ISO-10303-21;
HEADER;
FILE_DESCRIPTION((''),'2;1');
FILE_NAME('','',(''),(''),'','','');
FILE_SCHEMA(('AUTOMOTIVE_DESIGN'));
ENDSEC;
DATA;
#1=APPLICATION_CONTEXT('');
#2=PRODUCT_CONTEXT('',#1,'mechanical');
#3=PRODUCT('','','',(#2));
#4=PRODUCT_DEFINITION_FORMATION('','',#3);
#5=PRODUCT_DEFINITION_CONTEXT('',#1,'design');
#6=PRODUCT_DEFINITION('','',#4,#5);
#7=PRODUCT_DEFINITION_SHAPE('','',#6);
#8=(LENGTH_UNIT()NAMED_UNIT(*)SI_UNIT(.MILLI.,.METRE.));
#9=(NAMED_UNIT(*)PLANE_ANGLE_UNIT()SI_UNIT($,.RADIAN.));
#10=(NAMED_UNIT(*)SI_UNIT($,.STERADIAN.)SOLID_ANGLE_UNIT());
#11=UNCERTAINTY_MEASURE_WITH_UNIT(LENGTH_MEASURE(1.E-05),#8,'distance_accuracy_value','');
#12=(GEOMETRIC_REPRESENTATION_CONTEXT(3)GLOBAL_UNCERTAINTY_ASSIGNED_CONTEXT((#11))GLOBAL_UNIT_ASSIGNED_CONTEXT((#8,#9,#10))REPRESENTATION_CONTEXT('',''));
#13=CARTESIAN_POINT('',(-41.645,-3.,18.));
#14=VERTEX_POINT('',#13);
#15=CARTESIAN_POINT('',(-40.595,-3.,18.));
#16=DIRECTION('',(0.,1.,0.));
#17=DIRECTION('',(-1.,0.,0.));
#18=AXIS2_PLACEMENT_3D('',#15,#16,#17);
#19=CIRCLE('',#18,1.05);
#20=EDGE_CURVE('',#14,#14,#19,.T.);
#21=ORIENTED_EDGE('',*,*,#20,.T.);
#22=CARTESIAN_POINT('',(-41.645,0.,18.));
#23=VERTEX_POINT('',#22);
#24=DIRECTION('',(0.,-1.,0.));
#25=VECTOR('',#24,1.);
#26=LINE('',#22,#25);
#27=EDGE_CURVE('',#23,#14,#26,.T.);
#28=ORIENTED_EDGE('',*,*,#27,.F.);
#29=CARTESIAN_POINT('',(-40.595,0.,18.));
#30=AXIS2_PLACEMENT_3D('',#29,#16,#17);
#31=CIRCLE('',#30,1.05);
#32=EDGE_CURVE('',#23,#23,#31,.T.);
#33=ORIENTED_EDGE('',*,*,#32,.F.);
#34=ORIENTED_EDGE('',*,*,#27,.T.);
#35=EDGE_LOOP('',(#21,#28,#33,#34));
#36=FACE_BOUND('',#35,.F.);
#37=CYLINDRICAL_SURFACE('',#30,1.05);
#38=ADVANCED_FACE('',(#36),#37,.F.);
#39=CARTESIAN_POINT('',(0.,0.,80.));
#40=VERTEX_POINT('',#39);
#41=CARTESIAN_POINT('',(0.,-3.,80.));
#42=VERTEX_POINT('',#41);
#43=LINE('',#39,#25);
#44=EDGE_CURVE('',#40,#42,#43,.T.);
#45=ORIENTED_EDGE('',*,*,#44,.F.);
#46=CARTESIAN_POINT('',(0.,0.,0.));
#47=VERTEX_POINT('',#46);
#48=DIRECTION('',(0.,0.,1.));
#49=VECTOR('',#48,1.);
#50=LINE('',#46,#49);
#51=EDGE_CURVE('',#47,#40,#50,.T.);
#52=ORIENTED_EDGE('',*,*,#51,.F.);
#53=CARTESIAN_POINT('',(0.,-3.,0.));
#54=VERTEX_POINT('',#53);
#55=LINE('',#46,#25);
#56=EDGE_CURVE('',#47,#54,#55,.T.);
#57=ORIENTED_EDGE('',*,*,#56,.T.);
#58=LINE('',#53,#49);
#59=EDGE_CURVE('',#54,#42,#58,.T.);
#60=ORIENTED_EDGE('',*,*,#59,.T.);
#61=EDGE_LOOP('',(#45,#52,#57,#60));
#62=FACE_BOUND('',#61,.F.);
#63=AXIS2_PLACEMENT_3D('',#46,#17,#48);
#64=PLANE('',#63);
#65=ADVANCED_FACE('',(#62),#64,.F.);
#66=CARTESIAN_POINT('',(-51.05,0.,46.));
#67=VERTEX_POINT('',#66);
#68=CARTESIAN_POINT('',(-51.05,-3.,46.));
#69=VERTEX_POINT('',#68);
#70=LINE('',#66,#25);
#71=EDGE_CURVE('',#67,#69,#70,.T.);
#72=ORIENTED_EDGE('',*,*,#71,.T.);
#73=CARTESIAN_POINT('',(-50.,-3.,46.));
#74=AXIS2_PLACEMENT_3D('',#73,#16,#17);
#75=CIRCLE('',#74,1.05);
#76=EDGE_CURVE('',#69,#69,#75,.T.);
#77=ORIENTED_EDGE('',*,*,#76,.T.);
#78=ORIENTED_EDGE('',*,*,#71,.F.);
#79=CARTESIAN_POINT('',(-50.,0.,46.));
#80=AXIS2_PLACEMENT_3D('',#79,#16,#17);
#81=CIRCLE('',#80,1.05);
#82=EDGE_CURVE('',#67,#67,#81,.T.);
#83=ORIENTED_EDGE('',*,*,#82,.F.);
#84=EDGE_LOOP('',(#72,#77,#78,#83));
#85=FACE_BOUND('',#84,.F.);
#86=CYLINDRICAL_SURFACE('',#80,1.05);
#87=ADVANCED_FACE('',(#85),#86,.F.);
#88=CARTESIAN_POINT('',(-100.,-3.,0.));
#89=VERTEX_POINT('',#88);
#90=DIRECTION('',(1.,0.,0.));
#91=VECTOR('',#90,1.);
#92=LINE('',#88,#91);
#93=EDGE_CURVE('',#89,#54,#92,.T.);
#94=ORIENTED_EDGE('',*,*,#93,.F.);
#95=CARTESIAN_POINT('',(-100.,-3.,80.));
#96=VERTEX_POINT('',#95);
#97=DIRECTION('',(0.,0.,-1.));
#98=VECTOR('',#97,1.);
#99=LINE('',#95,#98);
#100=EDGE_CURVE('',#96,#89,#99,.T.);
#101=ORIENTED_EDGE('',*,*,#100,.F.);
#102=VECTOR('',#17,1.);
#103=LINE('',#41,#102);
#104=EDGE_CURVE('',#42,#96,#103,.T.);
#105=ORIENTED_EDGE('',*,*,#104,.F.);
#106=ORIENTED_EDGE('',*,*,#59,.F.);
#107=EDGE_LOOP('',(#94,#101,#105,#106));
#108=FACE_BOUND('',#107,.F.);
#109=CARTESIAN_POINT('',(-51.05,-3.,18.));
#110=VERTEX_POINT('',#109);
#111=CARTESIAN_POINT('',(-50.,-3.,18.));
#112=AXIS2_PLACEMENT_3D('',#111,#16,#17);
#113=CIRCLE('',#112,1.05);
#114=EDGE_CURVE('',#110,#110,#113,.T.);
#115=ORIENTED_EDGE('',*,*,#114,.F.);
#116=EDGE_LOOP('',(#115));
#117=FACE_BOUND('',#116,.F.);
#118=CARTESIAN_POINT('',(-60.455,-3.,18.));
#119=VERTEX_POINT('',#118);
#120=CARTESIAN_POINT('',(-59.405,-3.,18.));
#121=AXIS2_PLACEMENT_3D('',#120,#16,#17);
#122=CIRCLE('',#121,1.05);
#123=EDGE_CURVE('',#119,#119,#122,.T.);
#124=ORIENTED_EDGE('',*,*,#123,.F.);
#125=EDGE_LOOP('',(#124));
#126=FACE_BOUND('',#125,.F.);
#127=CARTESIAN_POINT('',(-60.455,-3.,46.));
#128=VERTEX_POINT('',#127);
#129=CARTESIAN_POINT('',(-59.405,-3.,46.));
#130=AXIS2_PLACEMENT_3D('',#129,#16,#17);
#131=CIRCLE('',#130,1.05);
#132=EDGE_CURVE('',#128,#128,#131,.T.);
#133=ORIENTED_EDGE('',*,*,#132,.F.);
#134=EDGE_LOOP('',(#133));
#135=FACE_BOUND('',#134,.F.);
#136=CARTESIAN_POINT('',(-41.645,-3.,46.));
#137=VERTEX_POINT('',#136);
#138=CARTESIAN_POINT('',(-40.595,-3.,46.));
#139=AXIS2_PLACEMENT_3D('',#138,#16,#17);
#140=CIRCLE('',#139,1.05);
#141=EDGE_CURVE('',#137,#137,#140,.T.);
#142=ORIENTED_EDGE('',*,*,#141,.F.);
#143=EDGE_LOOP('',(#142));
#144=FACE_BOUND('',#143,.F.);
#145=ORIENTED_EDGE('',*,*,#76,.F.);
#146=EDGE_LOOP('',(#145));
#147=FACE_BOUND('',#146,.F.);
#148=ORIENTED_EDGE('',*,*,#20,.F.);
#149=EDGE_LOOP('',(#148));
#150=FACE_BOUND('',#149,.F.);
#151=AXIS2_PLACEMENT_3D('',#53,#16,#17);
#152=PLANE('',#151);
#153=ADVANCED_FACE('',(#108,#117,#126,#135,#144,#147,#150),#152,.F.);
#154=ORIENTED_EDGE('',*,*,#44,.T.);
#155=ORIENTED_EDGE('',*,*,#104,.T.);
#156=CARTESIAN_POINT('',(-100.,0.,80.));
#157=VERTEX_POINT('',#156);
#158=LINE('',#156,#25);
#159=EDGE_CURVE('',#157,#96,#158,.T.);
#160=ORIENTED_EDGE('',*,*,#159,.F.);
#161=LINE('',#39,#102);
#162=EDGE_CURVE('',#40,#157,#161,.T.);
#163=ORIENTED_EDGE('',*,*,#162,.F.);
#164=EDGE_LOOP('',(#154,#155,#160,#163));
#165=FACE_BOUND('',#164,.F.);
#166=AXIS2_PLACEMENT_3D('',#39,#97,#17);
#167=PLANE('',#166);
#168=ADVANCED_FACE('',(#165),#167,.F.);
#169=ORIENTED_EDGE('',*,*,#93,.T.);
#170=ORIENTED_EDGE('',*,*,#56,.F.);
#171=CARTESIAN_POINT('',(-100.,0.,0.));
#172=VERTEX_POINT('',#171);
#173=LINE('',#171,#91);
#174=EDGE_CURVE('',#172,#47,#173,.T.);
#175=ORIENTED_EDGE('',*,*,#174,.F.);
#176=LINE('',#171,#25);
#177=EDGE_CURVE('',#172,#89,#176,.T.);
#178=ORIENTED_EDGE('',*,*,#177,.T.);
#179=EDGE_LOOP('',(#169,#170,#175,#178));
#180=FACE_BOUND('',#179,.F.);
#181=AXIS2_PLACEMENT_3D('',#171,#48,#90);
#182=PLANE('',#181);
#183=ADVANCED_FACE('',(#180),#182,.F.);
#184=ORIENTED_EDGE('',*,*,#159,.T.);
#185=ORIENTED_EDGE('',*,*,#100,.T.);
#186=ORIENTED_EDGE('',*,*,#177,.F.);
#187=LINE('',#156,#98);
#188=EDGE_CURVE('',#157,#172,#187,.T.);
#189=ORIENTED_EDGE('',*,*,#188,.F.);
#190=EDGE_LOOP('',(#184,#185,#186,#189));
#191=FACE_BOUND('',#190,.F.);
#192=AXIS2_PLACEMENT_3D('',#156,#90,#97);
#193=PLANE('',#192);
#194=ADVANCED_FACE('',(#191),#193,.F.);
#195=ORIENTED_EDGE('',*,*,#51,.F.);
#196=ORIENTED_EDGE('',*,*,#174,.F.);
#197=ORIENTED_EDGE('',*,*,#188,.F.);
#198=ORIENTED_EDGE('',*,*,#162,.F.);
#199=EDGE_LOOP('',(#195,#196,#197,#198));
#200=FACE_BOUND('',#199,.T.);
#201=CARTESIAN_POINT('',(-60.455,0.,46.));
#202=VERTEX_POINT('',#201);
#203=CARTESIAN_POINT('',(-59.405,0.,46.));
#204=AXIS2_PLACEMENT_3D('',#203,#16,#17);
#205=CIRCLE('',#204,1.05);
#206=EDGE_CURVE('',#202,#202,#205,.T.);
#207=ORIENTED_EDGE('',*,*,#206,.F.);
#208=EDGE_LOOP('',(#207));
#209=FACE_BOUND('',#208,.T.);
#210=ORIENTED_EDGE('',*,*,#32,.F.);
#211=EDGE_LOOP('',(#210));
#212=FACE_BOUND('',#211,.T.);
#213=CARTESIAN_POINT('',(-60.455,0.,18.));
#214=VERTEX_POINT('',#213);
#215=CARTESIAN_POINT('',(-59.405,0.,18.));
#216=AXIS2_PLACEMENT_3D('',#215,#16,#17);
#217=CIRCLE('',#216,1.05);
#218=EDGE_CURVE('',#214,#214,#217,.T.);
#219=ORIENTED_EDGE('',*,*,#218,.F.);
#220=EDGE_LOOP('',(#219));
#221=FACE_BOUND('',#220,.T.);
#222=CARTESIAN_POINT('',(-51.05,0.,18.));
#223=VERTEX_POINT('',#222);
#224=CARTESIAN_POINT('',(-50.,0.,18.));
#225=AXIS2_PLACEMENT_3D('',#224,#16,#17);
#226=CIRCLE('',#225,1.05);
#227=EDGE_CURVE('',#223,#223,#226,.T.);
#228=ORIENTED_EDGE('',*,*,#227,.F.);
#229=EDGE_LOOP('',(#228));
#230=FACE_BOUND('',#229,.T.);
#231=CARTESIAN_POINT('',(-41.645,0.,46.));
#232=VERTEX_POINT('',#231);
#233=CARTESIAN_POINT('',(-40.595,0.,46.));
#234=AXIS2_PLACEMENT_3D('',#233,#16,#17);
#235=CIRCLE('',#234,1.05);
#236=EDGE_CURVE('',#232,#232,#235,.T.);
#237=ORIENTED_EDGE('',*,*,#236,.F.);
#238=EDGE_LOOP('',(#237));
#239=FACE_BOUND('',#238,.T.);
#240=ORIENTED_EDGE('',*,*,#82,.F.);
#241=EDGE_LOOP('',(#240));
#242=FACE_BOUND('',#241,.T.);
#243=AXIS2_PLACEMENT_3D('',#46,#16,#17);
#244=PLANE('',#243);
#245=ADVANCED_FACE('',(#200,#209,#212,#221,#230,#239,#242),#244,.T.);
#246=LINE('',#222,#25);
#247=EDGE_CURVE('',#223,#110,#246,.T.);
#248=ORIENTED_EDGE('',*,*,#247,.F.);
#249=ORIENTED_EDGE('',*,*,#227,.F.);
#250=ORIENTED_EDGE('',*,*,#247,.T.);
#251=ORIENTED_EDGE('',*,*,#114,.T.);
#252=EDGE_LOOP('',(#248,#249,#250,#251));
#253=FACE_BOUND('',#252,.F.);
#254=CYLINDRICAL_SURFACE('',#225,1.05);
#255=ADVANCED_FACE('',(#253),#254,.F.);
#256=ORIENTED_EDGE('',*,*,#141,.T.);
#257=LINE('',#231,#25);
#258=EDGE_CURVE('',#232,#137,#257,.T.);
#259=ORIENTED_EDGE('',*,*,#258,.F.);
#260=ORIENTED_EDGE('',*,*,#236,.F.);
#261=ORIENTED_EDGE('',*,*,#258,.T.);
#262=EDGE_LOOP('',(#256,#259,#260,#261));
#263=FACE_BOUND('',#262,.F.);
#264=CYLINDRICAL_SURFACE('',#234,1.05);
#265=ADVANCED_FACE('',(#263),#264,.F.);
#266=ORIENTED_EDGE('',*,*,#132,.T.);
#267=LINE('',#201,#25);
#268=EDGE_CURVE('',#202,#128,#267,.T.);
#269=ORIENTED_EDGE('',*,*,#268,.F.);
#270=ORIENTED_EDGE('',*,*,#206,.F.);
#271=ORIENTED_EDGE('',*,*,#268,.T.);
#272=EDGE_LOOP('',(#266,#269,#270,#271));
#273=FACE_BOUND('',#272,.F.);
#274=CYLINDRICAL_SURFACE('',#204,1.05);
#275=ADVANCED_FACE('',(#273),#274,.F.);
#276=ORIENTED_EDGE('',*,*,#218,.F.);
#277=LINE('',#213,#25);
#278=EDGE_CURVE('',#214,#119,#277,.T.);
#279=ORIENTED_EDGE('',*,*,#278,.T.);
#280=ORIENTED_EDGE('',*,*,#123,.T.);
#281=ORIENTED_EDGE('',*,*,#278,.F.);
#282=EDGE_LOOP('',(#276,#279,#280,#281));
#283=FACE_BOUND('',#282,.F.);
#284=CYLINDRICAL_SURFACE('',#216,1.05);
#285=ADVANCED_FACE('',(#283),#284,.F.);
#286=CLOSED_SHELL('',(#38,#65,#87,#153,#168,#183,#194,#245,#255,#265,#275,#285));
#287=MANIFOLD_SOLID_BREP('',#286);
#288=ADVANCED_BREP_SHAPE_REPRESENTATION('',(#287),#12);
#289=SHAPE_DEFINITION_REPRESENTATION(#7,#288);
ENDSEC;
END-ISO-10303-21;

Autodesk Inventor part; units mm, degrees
ref_plane "YZ Plane" through (0, 0, 0) normal (1, 0, 0) x (0, 1, 0)
ref_plane "XZ Plane" through (0, 0, 0) normal (0, 1, 0) x (-1, 0, 0)
ref_plane "XY Plane" through (0, 0, 0) normal (0, 0, 1) x (1, 0, 0)
sketch "Sketch1" plane through (0, 0, 0) normal (0, 1, 0) x (-1, 0, 0)
  circle A0 centre (59.405, 18) radius 2
  circle A1 centre (50, 18) radius 2
  circle A2 centre (40.595, 18) radius 2
  circle A3 centre (40.595, 46) radius 2
  circle A4 centre (50, 46) radius 2
  circle A5 centre (59.405, 46) radius 2
  circle A6 centre (59.405, 18) radius 1.05
  circle A7 centre (50, 18) radius 1.05
  circle A8 centre (40.595, 18) radius 1.05
  circle A9 centre (40.595, 46) radius 1.05
  circle A10 centre (50, 46) radius 1.05
  circle A11 centre (59.405, 46) radius 1.05
  line L0 (100, 80) -> (100, 0)
  line L1 (0, 80) -> (100, 80)
  line L2 (0, 0) -> (0, 80)
  line L3 (100, 0) -> (0, 0)
extrude "Extrusion1" add sketch "Sketch1" against normal blind 3 contours A0 | A1 | A2 | A3 | A4 | A5 | L0 L3 L2 L1
properties part number "CAM_axis_6_bottom_frame(bottom)"
